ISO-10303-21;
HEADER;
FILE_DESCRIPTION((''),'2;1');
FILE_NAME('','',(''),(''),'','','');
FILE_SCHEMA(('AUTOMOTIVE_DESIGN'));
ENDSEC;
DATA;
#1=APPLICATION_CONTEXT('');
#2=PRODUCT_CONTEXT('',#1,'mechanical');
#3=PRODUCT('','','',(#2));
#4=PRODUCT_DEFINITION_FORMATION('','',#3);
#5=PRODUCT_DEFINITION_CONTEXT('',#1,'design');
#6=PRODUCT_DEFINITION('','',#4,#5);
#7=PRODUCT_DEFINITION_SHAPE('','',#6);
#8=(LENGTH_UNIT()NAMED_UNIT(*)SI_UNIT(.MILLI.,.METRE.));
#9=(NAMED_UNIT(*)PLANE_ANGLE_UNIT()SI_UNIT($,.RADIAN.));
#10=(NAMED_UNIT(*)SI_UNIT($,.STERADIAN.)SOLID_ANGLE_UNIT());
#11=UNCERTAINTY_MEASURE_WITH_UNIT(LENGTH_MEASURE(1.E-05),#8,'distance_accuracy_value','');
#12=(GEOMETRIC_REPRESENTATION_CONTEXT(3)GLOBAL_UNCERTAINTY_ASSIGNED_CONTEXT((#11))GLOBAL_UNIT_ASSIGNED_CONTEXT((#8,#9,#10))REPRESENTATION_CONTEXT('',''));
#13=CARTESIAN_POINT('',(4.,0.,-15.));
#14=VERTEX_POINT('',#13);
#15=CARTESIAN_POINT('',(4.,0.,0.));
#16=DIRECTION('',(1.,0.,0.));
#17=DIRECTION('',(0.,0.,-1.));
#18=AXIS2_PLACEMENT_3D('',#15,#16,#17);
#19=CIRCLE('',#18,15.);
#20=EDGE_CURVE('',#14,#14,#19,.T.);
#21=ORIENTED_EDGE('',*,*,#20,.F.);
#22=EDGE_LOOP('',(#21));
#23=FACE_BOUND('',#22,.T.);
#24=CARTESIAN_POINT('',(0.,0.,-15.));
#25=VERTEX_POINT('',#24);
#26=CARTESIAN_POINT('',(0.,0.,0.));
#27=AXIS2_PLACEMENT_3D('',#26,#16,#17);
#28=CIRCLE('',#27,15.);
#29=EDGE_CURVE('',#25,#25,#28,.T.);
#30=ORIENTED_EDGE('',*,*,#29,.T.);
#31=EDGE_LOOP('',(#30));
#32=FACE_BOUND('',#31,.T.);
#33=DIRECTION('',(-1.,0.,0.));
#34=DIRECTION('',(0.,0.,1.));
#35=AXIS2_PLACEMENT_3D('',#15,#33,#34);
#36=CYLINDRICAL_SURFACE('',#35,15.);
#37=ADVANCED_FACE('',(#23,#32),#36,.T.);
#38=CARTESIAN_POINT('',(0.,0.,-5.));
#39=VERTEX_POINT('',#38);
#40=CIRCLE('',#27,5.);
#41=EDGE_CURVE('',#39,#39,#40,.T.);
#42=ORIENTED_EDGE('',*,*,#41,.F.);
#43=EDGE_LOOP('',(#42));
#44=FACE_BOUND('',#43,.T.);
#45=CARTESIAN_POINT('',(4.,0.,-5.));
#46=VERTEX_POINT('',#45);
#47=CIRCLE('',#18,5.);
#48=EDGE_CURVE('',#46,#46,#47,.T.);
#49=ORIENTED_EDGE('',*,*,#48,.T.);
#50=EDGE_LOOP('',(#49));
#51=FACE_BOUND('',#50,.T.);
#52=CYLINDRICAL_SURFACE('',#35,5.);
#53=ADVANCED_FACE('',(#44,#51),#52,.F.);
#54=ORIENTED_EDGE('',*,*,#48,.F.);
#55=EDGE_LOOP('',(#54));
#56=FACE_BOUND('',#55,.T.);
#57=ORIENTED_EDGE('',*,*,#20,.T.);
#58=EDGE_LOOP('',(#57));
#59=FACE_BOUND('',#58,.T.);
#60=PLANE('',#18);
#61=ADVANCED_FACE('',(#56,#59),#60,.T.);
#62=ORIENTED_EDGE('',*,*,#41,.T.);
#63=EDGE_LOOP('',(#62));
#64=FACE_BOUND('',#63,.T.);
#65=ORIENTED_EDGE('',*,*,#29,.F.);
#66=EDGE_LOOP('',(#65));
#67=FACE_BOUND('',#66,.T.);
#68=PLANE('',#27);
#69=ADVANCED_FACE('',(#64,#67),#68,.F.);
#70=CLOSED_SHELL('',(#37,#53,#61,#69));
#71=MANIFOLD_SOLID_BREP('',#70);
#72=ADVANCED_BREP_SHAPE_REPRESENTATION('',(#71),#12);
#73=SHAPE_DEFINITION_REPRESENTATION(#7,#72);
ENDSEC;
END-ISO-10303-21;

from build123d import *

# Parameters (mm, degrees)
SKETCH_1_R      = 15
SKETCH_1_R_2    = 5
EXTRUDE_1_DEPTH = 4


with BuildPart() as part:
    # 草图1 → 凸台-拉伸1 (new body)
    with BuildSketch(Plane(origin=(0, 0, 0), x_dir=(0, 0, -1), z_dir=(1, 0, 0))):
        Circle(SKETCH_1_R)
        Circle(SKETCH_1_R_2, mode=Mode.SUBTRACT)
    extrude(amount=EXTRUDE_1_DEPTH)


solid = part.part
